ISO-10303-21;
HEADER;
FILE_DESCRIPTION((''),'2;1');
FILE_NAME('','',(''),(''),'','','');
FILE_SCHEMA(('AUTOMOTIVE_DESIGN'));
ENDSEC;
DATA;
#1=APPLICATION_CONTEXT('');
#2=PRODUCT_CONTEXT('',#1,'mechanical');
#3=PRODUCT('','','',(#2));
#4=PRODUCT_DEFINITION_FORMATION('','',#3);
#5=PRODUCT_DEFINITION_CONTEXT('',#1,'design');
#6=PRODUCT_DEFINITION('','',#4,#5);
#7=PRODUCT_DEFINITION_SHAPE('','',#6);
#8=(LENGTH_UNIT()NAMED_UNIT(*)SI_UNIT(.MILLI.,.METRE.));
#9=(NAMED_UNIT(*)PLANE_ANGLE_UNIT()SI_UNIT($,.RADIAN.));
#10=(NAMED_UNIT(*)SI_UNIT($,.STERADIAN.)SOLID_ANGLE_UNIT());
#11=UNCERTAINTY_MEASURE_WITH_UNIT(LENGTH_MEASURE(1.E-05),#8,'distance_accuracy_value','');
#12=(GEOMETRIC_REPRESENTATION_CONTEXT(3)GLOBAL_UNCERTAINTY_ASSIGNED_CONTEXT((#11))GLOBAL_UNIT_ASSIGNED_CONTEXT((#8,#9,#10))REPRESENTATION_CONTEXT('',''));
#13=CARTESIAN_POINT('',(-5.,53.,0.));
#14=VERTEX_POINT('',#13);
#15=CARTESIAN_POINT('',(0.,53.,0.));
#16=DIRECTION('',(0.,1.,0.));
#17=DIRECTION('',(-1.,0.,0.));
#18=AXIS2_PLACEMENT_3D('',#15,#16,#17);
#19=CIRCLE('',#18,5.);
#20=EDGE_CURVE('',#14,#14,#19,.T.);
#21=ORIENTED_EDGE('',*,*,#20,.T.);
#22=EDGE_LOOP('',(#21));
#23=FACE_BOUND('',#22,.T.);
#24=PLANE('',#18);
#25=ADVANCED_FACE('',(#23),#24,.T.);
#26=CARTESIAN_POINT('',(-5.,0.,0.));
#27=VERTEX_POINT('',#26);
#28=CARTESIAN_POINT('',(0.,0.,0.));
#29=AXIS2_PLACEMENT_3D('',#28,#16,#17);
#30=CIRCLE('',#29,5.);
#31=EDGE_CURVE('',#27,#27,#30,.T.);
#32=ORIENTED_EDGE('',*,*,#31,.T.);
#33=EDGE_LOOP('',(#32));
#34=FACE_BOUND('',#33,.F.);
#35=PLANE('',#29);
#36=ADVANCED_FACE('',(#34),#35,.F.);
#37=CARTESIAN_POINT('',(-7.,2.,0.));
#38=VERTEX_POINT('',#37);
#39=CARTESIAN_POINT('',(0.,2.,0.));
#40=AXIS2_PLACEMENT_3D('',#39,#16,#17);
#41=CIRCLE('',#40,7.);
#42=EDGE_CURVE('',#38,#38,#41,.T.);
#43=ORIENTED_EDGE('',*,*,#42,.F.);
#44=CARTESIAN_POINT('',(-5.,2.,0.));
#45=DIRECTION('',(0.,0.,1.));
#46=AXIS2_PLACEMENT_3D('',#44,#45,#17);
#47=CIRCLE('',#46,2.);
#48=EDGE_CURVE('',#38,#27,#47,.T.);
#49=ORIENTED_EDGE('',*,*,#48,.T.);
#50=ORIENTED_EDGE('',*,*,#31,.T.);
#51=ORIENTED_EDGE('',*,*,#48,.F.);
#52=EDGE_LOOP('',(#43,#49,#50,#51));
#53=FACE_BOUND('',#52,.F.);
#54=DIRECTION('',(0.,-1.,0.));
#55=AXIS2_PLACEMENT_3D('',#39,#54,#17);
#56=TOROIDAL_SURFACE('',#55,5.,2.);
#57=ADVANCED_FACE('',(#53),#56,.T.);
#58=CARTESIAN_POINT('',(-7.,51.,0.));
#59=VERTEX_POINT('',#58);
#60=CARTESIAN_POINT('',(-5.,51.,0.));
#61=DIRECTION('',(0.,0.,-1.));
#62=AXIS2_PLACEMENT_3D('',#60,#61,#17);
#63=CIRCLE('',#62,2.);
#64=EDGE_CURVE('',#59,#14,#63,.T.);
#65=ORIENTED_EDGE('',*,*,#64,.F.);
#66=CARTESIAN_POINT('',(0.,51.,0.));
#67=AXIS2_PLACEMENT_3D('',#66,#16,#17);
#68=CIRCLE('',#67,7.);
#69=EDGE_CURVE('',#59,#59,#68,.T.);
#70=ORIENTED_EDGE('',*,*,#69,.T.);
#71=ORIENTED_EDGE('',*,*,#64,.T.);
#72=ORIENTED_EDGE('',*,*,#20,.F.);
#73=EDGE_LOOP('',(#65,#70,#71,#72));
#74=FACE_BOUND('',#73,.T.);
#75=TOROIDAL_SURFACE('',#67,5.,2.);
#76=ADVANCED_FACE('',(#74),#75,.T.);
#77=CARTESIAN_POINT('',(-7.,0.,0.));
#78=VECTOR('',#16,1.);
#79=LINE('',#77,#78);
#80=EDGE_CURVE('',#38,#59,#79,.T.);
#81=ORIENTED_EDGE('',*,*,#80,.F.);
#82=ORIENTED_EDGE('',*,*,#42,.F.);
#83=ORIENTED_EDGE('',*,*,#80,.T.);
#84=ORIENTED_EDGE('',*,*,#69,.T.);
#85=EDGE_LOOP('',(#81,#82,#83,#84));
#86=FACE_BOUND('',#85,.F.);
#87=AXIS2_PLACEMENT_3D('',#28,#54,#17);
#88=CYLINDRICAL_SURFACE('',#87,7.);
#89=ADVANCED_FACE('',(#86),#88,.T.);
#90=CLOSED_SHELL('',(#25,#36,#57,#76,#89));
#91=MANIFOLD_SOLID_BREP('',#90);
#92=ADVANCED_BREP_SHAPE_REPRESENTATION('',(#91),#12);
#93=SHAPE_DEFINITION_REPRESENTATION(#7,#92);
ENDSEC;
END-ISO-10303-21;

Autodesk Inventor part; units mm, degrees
ref_plane "YZ Plane" through (0, 0, 0) normal (1, 0, 0) x (0, 1, 0)
ref_plane "XZ Plane" through (0, 0, 0) normal (0, 1, 0) x (-1, 0, 0)
ref_plane "XY Plane" through (0, 0, 0) normal (0, 0, 1) x (1, 0, 0)
sketch "Sketch1" plane through (0, 0, 0) normal (0, 1, 0) x (-1, 0, 0)
  circle A0 centre (0, 0) radius 7
  dimension "d0" = 14
extrude "Extrusion1" add sketch "Sketch1" along normal blind 53
fillet "Fillet1" radius 2 2 edges at (7, 0, 0) (7, 53, 0)
ref_plane "Work Plane1" through (0, 15, 0) normal (0, -1, 0) x (1, 0, 0)
split_face "Split1"
properties part number "739136_AA"
